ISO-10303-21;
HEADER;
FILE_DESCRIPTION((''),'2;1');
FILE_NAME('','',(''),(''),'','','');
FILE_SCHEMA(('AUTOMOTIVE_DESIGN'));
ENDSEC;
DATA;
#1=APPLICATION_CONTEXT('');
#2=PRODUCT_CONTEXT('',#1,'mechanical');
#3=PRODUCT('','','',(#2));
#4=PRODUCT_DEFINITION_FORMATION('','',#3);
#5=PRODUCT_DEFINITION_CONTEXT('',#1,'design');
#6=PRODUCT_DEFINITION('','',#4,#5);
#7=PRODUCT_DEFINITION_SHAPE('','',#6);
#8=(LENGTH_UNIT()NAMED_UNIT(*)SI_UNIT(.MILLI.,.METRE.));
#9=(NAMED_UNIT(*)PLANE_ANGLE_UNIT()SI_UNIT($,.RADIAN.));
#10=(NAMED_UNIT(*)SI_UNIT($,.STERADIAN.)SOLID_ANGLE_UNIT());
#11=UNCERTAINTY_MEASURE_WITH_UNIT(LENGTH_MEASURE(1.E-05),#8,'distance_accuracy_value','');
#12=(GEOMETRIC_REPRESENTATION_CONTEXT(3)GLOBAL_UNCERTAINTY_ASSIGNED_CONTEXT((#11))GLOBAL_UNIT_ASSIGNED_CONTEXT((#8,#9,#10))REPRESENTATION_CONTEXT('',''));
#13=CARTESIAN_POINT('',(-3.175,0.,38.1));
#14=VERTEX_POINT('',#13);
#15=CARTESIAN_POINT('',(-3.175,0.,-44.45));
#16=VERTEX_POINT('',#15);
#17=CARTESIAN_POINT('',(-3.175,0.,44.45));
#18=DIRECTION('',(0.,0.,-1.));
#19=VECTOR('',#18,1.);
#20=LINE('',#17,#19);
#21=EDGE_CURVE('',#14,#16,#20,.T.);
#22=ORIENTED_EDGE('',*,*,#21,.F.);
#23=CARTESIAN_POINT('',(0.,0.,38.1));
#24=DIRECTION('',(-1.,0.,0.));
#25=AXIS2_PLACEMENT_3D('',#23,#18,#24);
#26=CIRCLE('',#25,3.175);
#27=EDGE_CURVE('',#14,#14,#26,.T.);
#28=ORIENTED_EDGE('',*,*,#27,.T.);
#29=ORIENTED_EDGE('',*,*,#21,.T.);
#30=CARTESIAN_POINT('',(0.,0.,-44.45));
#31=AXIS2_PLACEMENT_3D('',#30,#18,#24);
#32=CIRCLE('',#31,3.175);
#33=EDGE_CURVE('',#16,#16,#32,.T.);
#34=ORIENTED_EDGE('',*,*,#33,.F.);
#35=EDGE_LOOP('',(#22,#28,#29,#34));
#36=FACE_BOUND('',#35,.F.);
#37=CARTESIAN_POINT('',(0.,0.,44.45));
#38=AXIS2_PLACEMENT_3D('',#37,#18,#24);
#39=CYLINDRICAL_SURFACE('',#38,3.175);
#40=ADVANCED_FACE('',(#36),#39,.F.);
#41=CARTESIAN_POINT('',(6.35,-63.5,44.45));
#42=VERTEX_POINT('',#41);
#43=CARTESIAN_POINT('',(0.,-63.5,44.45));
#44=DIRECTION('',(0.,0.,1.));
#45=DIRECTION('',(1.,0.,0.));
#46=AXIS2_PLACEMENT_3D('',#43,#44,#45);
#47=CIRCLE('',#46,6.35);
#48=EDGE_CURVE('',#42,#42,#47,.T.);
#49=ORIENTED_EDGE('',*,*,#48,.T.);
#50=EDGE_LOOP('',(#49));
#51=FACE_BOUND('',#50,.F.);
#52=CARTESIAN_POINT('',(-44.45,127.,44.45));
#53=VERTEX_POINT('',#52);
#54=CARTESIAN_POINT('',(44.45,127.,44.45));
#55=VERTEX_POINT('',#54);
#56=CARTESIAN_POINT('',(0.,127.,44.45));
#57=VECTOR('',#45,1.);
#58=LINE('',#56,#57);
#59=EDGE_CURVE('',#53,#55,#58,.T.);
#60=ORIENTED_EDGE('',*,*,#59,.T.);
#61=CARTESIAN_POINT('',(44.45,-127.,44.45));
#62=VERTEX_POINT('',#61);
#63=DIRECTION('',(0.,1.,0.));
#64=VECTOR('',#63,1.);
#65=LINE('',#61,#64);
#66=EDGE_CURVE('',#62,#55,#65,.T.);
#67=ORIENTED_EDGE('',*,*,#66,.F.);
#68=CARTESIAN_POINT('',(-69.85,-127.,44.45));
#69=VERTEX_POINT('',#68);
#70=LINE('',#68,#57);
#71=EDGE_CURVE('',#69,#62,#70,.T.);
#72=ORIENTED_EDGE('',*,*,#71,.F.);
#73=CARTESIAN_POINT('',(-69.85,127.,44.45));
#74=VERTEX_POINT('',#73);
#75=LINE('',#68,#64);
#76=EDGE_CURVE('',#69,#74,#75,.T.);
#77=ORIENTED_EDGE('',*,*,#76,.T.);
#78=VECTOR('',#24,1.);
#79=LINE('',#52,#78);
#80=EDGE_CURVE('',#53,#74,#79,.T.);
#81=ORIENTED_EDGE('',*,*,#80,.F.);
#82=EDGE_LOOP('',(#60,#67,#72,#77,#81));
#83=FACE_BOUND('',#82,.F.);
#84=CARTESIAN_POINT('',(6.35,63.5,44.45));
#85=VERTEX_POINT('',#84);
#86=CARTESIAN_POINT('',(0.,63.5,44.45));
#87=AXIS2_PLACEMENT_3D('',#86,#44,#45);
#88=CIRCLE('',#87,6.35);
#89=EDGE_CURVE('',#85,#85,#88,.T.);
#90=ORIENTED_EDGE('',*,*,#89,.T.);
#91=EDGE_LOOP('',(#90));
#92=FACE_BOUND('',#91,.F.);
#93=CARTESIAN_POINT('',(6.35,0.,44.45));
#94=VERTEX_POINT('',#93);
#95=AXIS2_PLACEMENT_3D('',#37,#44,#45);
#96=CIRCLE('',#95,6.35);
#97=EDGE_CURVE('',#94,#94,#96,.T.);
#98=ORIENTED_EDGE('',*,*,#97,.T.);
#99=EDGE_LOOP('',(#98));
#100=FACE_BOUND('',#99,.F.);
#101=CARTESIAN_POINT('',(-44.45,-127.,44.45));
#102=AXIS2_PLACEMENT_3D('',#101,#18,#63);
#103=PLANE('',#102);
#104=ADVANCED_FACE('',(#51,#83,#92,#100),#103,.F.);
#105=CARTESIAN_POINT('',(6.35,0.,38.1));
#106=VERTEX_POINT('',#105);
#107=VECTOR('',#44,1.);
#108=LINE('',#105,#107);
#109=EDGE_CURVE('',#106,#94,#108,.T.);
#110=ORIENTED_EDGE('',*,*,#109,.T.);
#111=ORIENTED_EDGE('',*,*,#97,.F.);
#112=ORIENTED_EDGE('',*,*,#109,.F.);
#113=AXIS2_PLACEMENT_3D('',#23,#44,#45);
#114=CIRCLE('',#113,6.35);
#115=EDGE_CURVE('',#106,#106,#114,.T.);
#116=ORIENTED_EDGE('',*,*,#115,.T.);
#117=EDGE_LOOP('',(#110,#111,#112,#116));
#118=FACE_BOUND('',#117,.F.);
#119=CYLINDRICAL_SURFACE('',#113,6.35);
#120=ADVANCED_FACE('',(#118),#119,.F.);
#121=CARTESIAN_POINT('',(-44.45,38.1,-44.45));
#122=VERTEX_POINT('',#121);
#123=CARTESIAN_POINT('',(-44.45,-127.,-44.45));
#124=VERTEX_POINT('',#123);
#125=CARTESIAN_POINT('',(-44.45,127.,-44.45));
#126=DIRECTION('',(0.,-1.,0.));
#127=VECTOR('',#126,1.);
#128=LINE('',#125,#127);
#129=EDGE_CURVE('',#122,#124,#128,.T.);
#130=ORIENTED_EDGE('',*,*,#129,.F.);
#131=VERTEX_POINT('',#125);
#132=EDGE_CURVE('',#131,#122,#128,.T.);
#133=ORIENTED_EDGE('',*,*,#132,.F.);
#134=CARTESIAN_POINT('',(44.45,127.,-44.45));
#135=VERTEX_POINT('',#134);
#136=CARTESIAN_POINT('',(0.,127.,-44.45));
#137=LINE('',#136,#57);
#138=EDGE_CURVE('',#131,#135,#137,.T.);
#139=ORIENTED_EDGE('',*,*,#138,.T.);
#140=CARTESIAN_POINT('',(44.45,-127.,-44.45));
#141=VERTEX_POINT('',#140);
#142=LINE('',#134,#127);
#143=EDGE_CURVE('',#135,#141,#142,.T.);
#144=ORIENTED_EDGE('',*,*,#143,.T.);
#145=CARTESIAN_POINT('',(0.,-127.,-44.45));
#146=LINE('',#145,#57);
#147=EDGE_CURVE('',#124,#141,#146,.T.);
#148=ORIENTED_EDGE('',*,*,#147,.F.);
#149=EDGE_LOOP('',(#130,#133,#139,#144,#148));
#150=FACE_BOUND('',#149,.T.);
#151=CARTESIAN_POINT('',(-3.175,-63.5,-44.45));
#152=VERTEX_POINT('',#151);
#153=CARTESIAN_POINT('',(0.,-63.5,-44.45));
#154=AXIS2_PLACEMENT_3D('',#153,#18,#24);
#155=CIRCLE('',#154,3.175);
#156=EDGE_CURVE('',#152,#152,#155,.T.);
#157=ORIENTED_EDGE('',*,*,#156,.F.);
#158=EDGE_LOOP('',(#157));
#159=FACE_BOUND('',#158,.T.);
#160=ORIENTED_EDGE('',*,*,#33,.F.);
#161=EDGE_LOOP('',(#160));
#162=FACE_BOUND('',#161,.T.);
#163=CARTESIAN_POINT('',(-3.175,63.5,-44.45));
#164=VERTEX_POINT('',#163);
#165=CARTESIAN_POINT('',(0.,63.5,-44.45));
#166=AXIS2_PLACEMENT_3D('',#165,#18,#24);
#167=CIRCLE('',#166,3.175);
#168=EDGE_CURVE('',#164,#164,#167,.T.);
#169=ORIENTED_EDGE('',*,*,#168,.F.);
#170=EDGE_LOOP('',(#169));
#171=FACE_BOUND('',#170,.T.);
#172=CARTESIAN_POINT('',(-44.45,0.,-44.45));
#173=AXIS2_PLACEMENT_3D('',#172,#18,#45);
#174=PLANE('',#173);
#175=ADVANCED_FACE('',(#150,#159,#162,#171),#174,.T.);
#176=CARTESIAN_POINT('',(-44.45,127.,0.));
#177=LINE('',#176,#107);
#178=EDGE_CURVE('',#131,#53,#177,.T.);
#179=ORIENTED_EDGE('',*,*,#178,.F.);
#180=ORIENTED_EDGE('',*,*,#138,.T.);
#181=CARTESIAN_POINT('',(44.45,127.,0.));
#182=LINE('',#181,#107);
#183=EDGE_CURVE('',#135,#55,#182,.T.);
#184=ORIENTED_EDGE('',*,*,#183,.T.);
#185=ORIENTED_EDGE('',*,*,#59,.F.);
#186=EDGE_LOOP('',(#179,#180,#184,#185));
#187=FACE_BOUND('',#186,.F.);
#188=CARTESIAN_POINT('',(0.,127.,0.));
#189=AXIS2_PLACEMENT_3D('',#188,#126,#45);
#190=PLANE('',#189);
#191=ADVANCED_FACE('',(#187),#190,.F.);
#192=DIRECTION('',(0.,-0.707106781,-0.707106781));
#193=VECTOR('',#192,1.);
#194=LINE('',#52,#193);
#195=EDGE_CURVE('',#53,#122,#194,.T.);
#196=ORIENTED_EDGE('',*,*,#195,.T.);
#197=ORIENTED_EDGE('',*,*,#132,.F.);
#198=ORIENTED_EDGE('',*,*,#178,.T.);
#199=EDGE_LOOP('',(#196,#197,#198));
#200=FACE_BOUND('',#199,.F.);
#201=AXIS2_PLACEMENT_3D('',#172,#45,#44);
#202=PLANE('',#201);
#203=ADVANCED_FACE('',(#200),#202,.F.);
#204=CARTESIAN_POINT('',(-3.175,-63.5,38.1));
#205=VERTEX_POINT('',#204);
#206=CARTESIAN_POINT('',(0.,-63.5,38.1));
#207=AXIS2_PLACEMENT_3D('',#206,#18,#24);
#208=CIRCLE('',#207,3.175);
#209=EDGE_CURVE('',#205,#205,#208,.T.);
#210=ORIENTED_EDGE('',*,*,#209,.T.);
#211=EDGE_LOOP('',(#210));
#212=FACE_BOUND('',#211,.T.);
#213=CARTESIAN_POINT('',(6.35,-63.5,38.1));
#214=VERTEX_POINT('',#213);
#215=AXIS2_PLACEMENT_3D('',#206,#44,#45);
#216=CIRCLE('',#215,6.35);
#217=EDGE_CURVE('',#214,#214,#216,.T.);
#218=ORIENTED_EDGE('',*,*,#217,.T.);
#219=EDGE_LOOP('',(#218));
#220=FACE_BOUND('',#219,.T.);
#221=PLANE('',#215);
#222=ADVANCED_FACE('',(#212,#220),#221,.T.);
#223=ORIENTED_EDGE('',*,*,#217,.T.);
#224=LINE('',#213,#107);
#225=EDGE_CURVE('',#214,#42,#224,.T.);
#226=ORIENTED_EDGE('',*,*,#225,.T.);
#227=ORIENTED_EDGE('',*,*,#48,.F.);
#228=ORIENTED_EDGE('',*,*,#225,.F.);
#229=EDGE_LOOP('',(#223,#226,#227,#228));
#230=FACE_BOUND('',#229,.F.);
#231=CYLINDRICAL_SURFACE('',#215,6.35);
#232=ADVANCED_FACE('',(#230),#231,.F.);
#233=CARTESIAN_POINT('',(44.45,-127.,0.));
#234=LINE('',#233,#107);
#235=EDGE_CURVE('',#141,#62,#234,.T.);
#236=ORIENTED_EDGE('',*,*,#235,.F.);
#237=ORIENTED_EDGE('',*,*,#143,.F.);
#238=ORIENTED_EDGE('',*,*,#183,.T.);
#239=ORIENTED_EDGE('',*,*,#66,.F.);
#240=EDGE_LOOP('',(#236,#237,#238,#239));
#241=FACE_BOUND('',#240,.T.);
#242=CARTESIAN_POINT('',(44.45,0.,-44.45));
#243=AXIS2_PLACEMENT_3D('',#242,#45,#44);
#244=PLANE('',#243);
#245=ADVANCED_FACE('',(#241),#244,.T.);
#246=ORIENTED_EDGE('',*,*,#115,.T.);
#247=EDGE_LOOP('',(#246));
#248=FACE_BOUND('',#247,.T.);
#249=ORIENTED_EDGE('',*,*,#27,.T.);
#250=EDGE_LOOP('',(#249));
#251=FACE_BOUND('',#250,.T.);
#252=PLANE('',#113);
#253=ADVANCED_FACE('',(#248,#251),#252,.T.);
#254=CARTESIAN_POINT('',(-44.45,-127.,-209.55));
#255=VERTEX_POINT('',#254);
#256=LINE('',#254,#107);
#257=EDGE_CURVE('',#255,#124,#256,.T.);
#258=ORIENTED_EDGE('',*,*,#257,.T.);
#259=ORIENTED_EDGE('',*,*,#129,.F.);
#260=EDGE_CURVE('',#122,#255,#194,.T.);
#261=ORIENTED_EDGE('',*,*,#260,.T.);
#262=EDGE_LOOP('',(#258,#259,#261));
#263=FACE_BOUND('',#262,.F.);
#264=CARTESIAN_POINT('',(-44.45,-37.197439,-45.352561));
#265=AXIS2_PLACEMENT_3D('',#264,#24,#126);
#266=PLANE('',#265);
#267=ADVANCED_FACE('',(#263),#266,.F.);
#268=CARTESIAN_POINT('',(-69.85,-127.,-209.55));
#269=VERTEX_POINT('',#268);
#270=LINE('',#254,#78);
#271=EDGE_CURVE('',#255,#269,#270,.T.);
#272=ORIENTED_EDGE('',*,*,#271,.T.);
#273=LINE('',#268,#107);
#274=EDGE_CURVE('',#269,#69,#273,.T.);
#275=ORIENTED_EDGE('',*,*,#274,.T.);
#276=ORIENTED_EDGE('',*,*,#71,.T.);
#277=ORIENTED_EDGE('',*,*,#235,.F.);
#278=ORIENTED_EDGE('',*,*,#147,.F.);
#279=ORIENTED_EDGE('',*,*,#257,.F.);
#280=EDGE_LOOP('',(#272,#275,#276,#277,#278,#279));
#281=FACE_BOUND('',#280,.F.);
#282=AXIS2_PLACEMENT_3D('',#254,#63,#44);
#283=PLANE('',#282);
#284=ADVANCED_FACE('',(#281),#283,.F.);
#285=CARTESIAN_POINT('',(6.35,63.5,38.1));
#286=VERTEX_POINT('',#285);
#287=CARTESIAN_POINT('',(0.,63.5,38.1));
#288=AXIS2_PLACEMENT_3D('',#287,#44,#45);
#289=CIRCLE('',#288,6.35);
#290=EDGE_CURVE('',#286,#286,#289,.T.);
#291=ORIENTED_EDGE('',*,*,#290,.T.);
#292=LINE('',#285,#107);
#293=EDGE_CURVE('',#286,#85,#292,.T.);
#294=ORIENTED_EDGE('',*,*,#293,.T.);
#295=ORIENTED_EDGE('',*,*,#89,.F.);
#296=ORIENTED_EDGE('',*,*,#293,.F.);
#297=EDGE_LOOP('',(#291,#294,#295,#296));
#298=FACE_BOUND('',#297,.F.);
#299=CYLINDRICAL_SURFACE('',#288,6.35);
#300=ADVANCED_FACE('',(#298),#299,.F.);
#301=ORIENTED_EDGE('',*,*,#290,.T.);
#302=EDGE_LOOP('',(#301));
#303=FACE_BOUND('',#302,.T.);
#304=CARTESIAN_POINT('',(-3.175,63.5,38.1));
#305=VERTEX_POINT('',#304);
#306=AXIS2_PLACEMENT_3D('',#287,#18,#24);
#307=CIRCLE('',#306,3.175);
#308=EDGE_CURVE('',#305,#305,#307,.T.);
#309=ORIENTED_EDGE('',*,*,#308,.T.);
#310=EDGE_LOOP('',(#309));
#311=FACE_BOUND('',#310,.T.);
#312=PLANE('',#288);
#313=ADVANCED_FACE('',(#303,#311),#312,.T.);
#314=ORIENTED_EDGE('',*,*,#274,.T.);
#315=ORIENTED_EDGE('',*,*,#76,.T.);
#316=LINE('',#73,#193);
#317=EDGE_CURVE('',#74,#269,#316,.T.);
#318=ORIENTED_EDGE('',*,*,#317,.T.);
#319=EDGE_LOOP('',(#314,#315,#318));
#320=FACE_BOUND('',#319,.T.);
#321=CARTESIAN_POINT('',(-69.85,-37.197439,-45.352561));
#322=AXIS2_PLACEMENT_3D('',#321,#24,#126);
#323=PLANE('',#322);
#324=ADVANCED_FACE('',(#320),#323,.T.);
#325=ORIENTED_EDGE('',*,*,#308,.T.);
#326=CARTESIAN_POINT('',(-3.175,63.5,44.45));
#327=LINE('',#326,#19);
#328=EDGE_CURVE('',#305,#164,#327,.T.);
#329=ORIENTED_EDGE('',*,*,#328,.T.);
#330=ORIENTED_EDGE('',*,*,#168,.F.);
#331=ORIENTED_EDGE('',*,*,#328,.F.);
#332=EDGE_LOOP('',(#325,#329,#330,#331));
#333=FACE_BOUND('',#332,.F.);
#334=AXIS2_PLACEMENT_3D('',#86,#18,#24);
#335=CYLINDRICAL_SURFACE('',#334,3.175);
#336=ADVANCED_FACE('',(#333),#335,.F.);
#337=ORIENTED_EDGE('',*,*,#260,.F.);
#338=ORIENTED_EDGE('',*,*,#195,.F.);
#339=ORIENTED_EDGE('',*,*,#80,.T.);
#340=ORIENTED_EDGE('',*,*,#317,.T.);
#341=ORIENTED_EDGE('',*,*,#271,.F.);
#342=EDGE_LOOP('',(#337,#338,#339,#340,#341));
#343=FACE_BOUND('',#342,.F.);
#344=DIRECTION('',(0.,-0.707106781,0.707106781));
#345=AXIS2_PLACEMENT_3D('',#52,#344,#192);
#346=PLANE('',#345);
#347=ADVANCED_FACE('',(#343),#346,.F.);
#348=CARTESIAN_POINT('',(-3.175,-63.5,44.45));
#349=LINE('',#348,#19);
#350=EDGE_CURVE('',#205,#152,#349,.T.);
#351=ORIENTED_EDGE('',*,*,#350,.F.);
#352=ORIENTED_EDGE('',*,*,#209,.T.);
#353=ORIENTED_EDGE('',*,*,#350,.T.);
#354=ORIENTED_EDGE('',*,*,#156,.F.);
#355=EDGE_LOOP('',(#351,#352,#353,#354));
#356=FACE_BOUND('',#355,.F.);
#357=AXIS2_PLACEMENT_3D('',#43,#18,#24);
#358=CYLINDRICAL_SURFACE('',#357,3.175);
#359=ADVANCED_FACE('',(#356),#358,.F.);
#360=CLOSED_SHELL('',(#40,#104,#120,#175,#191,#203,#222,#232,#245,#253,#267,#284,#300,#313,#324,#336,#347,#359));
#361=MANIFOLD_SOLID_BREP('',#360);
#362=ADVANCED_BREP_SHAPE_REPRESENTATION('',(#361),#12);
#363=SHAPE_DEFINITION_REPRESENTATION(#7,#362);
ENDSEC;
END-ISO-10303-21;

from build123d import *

# Parameters (mm, degrees)
F0_W           = 88.9
F0_H           = 88.9
F1_DEPTH       = 127
F3_D           = 6.35
F3_CBORE_D     = 12.7
F3_CBORE_DEPTH = 6.35
F6_DEPTH       = 25.4


with BuildPart() as f1:
    # F0 (on Front) → F1 (new body, symmetric)
    with BuildSketch(Plane.XZ):
        Rectangle(F0_W, F0_H)
    extrude(amount=F1_DEPTH, both=True)

    # F3 (through all)
    with Locations(Plane.XY.offset(44.45)):
        with Locations((0, 63.5), (0, 0), (0, -63.5)):
            CounterBoreHole(F3_D / 2, F3_CBORE_D / 2, F3_CBORE_DEPTH)

    # F5 (on face) → F6 (join)
    with BuildSketch(Plane(origin=(-44.45, 0, 0), x_dir=(0, -1, 0), z_dir=(-1, 0, 0))):
        Polygon((127, 44.45), (-127, 44.45), (127, -209.55), align=None)
    extrude(amount=F6_DEPTH)


solid = f1.part
